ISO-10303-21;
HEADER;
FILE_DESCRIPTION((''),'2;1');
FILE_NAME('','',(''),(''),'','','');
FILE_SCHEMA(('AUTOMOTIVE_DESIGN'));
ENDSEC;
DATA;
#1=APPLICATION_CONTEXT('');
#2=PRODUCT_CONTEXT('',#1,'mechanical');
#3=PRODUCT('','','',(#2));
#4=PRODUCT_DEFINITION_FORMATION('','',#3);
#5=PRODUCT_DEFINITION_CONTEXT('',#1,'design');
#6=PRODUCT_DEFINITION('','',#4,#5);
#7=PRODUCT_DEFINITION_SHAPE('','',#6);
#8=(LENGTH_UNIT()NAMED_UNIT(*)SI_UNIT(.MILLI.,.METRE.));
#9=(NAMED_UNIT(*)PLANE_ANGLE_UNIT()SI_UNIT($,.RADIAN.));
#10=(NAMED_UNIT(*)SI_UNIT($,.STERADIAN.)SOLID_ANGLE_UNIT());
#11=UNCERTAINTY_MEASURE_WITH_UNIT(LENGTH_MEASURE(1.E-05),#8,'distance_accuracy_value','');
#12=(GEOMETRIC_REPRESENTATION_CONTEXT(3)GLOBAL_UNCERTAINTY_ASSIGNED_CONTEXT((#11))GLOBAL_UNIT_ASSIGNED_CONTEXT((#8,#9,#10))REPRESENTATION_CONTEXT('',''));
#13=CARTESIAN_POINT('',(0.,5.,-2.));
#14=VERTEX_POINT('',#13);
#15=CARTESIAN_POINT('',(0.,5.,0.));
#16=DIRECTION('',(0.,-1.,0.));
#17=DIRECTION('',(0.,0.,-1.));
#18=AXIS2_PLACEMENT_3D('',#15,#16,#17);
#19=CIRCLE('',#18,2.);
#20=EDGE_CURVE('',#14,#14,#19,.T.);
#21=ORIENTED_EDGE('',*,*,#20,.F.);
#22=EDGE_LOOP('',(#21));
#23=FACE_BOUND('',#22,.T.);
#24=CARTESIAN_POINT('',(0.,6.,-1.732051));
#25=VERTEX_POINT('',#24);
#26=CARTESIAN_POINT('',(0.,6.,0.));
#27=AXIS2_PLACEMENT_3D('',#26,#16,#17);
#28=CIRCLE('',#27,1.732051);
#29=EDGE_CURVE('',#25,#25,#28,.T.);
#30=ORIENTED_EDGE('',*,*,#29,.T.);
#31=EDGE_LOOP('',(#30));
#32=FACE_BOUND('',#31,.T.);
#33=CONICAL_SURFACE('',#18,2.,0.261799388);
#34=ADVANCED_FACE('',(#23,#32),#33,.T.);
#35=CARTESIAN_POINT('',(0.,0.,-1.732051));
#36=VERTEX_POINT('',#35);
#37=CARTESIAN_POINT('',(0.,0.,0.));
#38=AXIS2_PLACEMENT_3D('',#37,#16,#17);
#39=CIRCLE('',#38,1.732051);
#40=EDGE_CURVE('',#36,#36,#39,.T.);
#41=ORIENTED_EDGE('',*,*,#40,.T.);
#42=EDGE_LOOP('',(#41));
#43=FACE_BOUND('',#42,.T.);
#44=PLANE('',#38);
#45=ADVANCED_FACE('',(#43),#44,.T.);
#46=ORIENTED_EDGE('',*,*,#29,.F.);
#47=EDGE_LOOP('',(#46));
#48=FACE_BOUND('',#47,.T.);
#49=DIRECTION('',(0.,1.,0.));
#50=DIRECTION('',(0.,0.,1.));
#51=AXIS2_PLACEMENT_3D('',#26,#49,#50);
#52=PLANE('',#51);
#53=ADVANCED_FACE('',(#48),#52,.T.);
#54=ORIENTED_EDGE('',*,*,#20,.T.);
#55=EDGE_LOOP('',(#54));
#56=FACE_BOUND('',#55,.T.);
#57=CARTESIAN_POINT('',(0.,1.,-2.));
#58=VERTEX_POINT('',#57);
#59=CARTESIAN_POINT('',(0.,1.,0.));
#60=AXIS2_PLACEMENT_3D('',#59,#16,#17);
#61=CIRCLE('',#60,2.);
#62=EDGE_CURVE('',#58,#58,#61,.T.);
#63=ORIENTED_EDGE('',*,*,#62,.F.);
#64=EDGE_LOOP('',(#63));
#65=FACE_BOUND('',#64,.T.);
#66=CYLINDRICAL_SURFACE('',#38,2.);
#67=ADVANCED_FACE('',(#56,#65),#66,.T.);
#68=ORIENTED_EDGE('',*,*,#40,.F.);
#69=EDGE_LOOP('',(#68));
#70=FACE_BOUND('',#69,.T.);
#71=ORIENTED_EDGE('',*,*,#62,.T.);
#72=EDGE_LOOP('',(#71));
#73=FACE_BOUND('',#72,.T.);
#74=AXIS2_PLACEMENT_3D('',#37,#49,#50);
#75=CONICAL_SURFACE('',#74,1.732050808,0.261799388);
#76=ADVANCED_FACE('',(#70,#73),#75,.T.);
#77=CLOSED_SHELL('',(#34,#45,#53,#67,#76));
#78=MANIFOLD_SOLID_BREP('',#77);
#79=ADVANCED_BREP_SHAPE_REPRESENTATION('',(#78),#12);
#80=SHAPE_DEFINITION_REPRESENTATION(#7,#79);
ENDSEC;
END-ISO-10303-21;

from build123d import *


with BuildPart() as part:
    # 草图2 → 旋转1 (revolve)
    with BuildSketch(Plane.XY):
        Polygon((1.732050808, 6), (2, 5), (2, 1), (1.732050808, 0), (0, 0), (0, 6), align=None)
    revolve(axis=Axis((0, 0, 0), (0, 1, 0)))


solid = part.part
